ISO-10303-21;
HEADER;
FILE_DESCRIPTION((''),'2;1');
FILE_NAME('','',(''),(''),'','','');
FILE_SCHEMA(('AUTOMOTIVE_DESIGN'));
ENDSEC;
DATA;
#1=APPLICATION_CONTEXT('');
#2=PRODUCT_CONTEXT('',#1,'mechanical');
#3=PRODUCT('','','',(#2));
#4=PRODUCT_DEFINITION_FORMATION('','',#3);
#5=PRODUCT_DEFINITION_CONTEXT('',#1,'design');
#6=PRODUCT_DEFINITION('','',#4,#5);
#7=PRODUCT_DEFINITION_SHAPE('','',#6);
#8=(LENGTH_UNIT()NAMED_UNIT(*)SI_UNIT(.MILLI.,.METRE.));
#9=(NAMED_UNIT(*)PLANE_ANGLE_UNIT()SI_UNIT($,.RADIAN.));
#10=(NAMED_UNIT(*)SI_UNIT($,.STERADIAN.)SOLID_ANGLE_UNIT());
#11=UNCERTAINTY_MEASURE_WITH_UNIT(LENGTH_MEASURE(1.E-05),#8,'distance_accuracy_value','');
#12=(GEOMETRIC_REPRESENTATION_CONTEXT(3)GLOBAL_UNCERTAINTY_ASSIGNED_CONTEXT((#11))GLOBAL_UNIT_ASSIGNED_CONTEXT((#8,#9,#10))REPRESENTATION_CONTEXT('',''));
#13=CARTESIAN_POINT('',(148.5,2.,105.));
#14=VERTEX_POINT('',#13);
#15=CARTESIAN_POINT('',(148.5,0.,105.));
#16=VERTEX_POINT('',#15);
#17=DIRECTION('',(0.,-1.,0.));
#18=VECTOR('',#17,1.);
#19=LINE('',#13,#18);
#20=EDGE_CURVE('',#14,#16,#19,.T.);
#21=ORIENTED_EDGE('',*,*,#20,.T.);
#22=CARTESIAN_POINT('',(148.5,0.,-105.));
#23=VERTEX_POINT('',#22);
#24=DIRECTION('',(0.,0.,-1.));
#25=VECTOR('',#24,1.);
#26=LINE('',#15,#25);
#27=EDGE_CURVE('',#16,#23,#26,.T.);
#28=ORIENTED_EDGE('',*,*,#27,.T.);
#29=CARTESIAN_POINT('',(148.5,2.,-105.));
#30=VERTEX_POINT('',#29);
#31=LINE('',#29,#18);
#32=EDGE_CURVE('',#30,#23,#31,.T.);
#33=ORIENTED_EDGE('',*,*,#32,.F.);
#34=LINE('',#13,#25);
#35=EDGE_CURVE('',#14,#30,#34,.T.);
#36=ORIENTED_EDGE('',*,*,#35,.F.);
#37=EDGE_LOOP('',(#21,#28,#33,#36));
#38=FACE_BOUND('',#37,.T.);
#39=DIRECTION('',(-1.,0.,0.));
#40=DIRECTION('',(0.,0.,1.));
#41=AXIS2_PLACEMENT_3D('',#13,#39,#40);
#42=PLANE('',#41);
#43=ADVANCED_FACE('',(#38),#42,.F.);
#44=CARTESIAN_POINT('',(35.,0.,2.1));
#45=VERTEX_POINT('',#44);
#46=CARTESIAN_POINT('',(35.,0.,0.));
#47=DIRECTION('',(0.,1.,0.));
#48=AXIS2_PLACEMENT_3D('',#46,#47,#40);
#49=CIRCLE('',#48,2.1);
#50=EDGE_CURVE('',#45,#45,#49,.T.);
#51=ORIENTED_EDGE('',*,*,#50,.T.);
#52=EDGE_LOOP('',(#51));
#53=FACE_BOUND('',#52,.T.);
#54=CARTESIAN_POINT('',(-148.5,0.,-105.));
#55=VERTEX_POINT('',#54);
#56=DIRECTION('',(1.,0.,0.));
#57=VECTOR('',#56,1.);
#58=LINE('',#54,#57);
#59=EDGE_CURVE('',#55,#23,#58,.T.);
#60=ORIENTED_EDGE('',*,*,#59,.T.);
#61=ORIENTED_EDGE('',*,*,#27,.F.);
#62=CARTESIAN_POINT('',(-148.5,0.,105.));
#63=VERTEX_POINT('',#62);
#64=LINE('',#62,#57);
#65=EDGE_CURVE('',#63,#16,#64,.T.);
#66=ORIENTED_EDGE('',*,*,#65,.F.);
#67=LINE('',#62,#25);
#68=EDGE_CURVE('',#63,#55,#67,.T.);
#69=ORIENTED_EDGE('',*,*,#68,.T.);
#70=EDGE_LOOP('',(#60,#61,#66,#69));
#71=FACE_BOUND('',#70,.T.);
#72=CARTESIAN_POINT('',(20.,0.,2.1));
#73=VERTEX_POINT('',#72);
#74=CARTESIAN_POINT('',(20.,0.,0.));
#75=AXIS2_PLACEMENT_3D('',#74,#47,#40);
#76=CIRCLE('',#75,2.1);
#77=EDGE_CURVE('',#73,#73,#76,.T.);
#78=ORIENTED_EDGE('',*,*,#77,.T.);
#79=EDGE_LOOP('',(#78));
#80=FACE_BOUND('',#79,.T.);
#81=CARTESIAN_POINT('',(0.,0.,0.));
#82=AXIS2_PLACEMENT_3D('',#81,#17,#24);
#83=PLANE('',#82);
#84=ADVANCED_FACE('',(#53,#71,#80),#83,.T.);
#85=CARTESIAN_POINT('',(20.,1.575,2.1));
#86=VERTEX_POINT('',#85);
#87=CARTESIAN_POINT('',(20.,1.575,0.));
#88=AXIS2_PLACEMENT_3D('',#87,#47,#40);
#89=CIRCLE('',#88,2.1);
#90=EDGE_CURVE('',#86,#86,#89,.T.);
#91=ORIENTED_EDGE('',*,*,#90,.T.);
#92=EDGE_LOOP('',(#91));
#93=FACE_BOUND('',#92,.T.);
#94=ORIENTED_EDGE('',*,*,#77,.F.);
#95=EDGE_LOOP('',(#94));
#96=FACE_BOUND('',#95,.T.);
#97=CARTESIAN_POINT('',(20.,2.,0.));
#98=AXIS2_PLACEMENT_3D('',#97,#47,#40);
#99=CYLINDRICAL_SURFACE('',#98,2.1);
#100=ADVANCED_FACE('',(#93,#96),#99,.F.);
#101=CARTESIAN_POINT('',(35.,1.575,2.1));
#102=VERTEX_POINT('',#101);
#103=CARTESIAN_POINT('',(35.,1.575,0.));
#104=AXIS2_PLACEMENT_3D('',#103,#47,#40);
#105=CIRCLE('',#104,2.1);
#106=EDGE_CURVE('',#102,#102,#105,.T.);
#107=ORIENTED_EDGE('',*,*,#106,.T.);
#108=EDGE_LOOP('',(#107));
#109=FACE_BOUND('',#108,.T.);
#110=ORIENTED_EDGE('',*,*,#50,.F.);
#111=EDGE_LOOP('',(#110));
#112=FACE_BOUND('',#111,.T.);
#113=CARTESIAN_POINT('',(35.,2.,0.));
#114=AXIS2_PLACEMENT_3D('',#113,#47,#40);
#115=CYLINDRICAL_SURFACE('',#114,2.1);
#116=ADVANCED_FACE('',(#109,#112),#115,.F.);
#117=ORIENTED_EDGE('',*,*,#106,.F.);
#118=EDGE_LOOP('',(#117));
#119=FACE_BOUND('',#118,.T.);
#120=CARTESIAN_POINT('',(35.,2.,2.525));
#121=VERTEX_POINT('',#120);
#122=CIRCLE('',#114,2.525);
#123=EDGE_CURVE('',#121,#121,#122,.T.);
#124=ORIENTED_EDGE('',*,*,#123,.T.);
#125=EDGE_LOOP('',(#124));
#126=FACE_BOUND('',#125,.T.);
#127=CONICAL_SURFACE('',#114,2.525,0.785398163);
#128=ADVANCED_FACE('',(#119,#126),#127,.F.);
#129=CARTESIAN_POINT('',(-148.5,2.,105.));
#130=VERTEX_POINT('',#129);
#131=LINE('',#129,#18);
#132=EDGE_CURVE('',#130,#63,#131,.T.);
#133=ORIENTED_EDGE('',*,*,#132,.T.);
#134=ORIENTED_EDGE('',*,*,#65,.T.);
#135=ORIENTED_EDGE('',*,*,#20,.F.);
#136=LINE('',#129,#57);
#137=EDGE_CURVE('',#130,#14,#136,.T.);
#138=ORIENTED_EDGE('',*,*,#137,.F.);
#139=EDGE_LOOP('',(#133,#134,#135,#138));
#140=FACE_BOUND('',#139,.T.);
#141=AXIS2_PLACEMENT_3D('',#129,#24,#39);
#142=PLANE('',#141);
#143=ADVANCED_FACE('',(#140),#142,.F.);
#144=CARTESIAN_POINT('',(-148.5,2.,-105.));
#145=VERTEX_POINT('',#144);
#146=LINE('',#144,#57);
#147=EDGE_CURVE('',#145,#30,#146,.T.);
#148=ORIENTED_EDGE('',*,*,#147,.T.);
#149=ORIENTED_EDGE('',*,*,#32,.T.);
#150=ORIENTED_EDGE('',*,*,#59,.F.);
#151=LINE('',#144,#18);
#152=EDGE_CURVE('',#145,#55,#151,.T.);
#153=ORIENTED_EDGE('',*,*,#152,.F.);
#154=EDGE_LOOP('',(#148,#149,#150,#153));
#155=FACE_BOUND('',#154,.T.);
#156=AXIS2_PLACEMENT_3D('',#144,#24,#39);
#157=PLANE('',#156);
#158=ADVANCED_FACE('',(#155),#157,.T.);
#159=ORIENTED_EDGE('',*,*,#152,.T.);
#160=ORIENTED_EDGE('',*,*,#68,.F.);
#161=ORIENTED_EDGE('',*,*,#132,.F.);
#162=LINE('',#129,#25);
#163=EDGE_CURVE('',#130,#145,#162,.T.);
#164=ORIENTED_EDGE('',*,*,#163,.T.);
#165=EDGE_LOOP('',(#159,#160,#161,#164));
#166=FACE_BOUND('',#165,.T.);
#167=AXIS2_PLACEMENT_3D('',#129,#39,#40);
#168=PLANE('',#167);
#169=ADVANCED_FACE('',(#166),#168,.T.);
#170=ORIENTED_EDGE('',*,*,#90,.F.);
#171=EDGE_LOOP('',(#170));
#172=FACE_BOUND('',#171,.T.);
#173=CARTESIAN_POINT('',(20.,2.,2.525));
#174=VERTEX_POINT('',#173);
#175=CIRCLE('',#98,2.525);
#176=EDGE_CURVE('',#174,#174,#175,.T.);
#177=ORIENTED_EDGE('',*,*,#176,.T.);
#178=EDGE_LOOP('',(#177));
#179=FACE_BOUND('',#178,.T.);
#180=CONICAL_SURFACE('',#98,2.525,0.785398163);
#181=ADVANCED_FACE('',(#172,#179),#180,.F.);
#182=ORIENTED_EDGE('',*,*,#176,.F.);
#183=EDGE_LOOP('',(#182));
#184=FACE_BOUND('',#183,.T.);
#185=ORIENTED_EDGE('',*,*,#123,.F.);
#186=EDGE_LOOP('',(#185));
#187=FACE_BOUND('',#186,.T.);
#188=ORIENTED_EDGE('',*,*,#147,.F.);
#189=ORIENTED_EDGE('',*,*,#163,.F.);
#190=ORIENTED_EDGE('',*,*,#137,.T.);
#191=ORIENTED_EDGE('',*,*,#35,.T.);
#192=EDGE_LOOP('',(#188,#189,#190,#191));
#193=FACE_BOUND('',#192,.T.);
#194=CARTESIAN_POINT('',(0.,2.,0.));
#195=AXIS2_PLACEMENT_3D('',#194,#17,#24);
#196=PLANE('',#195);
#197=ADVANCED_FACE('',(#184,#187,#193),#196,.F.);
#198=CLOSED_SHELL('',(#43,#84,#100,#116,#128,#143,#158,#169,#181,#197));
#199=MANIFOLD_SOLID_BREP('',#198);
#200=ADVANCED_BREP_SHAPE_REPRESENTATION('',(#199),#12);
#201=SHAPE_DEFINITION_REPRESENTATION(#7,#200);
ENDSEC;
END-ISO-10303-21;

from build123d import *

# Parameters (mm, degrees)
SKETCH1_W                  = 297
SKETCH1_H                  = 210
BOSS_EXTRUDE1_DEPTH        = 2
M5_TAPPED_HOLE1_AT_2_COUNT = 2
M5_TAPPED_HOLE1_AT_2_PITCH = 15


with BuildPart() as part:
    # Sketch1 → Boss-Extrude1 (new body)
    with BuildSketch(Plane(origin=(0, 0, 0), x_dir=(1, 0, 0), z_dir=(0, 1, 0))):
        Rectangle(SKETCH1_W, SKETCH1_H)
    extrude(amount=BOSS_EXTRUDE1_DEPTH)

    # Sketch3 → M5 Tapped Hole1 (revolve, cut)
    with BuildSketch(Plane(origin=(20, 2, 0), x_dir=(0, 0, 1), z_dir=(1, 0, 0))):
        Polygon((0, 0), (0, 2), (2.1, 2), (2.1, 0.425), (2.525, 0), align=None)
    m5_tapped_hole1 = revolve(axis=Axis((20, 8.35, 0), (0, -1, 0)), mode=Mode.SUBTRACT)

    # M5 Tapped Hole1 at 2: M5 Tapped Hole1 ×2
    with Locations(*[(i * M5_TAPPED_HOLE1_AT_2_PITCH, 0, 0) for i in range(1, M5_TAPPED_HOLE1_AT_2_COUNT)]):
        add(m5_tapped_hole1, mode=Mode.SUBTRACT)


solid = part.part
